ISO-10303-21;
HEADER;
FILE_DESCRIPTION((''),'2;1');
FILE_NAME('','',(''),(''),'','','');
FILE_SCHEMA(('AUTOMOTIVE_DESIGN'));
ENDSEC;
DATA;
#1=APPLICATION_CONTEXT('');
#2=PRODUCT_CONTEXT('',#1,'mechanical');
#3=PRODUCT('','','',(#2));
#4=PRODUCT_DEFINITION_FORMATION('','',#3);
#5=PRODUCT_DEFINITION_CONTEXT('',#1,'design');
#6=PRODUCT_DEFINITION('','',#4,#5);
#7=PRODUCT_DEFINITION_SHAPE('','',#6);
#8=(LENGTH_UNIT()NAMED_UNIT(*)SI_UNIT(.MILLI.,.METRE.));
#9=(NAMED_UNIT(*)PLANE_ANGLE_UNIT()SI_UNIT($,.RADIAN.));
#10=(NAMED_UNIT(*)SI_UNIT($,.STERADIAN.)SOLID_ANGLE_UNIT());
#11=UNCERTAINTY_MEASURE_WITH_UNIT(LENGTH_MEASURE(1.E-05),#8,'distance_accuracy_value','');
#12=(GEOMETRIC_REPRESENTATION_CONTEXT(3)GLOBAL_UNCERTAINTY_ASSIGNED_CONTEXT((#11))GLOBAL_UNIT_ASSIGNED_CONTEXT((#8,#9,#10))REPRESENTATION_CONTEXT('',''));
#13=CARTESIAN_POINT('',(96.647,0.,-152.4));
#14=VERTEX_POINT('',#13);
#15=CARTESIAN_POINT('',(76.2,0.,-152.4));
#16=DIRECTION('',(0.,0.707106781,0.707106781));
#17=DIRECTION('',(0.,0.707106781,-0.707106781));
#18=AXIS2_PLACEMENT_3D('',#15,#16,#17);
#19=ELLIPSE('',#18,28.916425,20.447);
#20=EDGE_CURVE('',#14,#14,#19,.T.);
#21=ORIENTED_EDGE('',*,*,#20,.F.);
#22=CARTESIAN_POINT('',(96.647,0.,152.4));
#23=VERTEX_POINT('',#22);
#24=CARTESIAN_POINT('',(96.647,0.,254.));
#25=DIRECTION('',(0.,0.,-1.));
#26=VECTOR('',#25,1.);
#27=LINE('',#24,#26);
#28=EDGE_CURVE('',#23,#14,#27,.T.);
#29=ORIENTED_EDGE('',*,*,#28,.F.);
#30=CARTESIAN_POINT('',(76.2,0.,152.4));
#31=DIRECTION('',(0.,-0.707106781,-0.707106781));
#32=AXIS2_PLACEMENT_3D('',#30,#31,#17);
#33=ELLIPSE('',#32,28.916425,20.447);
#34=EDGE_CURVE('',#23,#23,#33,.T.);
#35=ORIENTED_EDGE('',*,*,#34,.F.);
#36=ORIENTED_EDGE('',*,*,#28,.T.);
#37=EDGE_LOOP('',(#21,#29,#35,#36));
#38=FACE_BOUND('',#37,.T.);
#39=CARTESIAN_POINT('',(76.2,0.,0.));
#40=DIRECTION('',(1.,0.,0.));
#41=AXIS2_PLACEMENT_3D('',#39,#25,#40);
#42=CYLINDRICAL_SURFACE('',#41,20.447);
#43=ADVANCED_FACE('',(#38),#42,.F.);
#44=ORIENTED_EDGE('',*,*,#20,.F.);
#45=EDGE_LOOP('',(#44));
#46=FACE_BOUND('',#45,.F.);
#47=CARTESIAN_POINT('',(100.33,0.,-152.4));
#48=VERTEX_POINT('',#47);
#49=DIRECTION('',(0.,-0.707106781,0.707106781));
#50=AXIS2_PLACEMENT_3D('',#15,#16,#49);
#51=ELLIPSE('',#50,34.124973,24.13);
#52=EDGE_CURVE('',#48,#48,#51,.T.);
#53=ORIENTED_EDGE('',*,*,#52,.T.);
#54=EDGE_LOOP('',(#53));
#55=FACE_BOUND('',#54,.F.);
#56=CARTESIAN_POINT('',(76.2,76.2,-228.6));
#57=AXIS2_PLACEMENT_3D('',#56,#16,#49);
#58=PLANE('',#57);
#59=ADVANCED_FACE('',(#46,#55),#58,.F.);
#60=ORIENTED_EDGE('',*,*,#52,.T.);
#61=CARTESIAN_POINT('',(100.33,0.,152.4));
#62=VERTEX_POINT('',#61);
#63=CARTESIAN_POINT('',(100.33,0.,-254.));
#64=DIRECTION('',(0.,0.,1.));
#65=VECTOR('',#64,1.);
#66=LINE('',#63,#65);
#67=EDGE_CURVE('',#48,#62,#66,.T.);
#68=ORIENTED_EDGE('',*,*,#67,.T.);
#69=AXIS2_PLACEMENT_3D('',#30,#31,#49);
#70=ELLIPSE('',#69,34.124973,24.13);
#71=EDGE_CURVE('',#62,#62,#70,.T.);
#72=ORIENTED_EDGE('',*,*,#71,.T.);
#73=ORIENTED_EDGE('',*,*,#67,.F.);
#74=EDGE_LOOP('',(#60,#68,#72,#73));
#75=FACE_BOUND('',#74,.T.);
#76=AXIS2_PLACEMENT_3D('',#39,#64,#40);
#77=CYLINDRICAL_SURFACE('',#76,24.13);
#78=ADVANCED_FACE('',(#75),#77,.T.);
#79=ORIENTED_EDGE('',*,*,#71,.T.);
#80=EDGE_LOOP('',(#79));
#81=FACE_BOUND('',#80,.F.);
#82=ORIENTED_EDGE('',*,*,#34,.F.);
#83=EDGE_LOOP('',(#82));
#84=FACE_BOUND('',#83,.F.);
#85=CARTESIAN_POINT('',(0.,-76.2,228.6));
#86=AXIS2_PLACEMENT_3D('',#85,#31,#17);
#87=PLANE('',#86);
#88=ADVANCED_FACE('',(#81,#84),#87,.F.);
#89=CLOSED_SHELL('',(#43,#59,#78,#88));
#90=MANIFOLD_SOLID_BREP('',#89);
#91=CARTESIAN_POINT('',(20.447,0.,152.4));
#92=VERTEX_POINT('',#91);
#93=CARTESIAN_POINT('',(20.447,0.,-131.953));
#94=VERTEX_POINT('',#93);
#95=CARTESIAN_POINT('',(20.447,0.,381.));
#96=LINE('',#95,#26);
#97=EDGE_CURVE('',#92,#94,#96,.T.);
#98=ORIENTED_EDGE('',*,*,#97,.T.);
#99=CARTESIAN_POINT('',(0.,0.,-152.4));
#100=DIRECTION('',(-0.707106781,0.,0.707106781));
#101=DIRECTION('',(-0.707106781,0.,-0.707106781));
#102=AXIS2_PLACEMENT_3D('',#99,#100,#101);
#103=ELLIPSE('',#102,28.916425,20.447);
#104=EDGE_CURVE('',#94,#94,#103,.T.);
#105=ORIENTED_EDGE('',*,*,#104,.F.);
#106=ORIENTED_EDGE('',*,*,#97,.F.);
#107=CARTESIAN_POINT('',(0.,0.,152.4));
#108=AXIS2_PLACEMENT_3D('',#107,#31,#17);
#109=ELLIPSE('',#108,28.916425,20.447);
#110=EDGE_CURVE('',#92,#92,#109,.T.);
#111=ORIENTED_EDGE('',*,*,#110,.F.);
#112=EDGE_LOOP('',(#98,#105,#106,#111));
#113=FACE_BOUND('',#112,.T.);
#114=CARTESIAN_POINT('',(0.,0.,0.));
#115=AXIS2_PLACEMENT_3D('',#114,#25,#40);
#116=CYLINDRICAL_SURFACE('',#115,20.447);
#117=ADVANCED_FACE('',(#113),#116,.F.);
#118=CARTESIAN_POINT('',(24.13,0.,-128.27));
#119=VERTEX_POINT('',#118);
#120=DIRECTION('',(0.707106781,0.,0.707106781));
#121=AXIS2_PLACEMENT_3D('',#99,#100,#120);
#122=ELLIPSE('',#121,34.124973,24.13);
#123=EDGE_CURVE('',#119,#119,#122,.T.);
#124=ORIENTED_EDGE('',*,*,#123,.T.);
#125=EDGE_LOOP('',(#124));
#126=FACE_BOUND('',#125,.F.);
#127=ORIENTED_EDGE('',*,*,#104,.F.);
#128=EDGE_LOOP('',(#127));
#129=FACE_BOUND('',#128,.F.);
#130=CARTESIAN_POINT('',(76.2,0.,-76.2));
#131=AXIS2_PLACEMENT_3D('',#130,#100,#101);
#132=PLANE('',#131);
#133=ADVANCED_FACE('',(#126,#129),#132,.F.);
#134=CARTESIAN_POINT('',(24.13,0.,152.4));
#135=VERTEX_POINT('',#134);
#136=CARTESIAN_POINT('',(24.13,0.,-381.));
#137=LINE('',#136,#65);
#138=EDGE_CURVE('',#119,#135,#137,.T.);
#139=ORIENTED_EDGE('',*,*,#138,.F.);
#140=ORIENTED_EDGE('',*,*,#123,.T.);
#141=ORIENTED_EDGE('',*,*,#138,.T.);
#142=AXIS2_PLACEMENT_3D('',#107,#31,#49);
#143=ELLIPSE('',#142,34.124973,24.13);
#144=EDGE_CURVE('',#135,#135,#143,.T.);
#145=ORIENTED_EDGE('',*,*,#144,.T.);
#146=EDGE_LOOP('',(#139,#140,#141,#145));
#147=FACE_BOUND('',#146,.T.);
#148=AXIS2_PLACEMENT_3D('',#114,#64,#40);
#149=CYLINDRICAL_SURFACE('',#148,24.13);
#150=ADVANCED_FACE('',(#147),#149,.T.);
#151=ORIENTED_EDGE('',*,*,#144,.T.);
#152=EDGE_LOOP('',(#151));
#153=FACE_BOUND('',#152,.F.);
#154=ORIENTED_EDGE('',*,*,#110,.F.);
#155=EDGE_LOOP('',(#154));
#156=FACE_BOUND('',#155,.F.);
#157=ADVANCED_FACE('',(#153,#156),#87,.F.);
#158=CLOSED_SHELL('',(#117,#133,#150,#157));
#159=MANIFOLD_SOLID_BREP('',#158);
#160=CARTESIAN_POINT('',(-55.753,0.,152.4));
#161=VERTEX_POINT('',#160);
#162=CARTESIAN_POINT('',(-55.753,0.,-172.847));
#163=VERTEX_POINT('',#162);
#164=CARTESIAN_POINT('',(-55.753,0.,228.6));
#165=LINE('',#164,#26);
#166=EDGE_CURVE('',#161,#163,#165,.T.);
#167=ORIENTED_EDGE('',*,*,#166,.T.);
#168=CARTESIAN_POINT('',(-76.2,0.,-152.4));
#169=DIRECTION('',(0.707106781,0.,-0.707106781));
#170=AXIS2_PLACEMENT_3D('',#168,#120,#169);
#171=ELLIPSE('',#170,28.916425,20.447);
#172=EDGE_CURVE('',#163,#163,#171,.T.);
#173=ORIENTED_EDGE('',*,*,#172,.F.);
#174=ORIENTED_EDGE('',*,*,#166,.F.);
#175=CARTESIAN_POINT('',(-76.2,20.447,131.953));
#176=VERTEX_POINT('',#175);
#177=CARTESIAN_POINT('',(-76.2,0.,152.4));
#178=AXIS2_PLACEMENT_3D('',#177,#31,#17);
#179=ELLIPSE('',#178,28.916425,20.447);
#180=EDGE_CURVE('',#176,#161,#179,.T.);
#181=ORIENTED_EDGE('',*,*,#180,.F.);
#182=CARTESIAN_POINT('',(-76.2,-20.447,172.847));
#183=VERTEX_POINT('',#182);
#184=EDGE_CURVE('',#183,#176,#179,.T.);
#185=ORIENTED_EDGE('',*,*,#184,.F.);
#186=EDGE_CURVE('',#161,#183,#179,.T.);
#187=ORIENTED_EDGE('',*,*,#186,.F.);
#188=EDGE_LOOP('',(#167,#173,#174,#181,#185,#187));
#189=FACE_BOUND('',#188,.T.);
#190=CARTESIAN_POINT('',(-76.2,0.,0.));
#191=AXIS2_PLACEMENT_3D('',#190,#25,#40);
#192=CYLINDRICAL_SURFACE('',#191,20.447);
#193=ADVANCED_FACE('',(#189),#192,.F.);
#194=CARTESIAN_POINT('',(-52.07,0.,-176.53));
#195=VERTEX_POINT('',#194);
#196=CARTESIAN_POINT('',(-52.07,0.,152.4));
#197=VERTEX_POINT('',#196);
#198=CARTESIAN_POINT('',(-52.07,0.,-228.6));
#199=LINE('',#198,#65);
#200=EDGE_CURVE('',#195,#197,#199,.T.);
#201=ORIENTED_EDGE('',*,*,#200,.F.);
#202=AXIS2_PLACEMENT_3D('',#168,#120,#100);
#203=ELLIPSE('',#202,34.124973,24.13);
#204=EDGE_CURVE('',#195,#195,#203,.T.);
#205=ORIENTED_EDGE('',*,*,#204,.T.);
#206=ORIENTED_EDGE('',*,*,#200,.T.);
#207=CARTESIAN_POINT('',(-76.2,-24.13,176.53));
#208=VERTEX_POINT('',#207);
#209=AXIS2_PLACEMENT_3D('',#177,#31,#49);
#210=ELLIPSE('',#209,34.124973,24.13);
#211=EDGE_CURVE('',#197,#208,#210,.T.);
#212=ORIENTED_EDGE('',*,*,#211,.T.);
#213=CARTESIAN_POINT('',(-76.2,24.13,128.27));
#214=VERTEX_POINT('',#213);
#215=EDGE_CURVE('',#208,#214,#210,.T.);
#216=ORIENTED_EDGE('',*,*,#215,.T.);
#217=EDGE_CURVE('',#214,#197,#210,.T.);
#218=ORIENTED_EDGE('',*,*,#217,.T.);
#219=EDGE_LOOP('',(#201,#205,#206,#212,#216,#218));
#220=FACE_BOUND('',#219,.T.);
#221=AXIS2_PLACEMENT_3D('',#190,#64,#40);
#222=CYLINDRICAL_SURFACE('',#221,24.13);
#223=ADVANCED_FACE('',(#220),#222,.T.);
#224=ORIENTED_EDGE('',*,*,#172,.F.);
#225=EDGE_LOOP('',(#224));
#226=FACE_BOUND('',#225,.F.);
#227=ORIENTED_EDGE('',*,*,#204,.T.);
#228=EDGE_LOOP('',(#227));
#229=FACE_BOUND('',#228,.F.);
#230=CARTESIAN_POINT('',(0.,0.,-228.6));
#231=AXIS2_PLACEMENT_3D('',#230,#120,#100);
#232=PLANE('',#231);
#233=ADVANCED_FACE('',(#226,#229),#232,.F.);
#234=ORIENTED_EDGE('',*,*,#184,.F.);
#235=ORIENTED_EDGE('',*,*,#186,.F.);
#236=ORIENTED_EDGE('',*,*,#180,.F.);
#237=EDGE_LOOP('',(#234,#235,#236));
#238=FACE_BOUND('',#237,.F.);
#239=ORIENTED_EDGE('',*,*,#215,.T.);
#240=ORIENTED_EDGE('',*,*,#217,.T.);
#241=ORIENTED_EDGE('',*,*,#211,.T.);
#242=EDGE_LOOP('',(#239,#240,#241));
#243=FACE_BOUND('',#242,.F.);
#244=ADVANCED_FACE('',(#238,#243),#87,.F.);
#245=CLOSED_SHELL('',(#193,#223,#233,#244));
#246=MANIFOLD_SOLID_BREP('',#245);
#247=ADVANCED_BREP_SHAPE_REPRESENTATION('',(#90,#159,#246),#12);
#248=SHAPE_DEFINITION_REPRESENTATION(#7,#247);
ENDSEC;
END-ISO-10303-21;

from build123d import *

# Parameters (mm, degrees)
F0_R      = 24.13
F0_R_2    = 20.447
F1_DEPTH  = 381
F2_R      = 24.13
F2_R_2    = 20.447
F3_DEPTH  = 228.6
F5_DEPTH  = 76.2
F7_DEPTH  = 76.2
F8_R      = 24.13
F8_R_2    = 20.447
F9_DEPTH  = 254
F11_DEPTH = 152.4
F13_DEPTH = 76.2
F16_DEPTH = 76.2


with BuildPart() as f1:
    # F0 (on Top) → F1 (new body, symmetric)
    with BuildSketch(Plane.XY):
        Circle(F0_R)
        Circle(F0_R_2, mode=Mode.SUBTRACT)
    extrude(amount=F1_DEPTH, both=True)


with BuildPart() as f3:
    # F2 (on Top) → F3 (new body, symmetric)
    with BuildSketch(Plane.XY):
        with Locations((-76.2, 0)):
            Circle(F2_R)
        with Locations((-76.2, 0)):
            Circle(F2_R_2, mode=Mode.SUBTRACT)
    extrude(amount=F3_DEPTH, both=True)


with BuildPart() as f5_tool:
    # F4 (on Front) → F5 (new body, symmetric)
    with BuildSketch(Plane.XZ):
        Polygon((76.2, -76.2), (0, -152.4), (-76.2, -228.6), (-403.8831914788, -406.4), (440.9483480078, -406.4), align=None)
    extrude(amount=F5_DEPTH, both=True)


with BuildPart() as f1_1:
    add(f1.part)

    # F5: cut by f5_tool
    add(f5_tool.part, mode=Mode.SUBTRACT)


with BuildPart() as f3_1:
    add(f3.part)

    # F5: cut by f5_tool
    add(f5_tool.part, mode=Mode.SUBTRACT)


with BuildPart() as f7_tool:
    # F6 (on Right) → F7 (new body, symmetric)
    with BuildSketch(Plane.YZ):
        Polygon((-76.2, 228.6), (0, 152.4), (76.2, 76.2), (76.2, 457.2), (-76.2, 457.2), align=None)
    extrude(amount=F7_DEPTH, both=True)


with BuildPart() as f1_2:
    add(f1_1.part)

    # F7: cut by f7_tool
    add(f7_tool.part, mode=Mode.SUBTRACT)


with BuildPart() as f3_2:
    add(f3_1.part)

    # F7: cut by f7_tool
    add(f7_tool.part, mode=Mode.SUBTRACT)


with BuildPart() as f9:
    # F8 (on Top) → F9 (new body, symmetric)
    with BuildSketch(Plane.XY):
        with Locations((76.2, 0)):
            Circle(F8_R)
        with Locations((76.2, 0)):
            Circle(F8_R_2, mode=Mode.SUBTRACT)
    extrude(amount=F9_DEPTH, both=True)


with BuildPart() as f11_tool:
    # F10 (on Right) → F11 (new body, symmetric)
    with BuildSketch(Plane.YZ):
        Polygon((-76.2, 228.6), (0, 152.4), (76.2, 76.2), (76.2, 304.8), (-76.2, 304.8), align=None)
    extrude(amount=F11_DEPTH, both=True)


with BuildPart() as f3_3:
    add(f3_2.part)

    # F11: cut by f11_tool
    add(f11_tool.part, mode=Mode.SUBTRACT)

    # F12 (on Front) → F13 (cut, symmetric)
    with BuildSketch(Plane.XZ):
        Polygon((0, -228.6), (-76.2, -152.4), (-152.4, -76.2), (-152.4, -304.8), (0, -304.8), align=None)
    extrude(amount=F13_DEPTH, both=True, mode=Mode.SUBTRACT)


with BuildPart() as f9_1:
    add(f9.part)

    # F11: cut by f11_tool
    add(f11_tool.part, mode=Mode.SUBTRACT)

    # F15 (on offset) → F16 (cut, symmetric)
    with BuildSketch(Plane.YZ.offset(76.2)):
        Polygon((76.2, -228.6), (0, -152.4), (-76.2, -76.2), (-76.2, -304.8), (76.2, -304.8), align=None)
    extrude(amount=F16_DEPTH, both=True, mode=Mode.SUBTRACT)


solid = Compound([f1_2.part, f3_3.part, f9_1.part])
